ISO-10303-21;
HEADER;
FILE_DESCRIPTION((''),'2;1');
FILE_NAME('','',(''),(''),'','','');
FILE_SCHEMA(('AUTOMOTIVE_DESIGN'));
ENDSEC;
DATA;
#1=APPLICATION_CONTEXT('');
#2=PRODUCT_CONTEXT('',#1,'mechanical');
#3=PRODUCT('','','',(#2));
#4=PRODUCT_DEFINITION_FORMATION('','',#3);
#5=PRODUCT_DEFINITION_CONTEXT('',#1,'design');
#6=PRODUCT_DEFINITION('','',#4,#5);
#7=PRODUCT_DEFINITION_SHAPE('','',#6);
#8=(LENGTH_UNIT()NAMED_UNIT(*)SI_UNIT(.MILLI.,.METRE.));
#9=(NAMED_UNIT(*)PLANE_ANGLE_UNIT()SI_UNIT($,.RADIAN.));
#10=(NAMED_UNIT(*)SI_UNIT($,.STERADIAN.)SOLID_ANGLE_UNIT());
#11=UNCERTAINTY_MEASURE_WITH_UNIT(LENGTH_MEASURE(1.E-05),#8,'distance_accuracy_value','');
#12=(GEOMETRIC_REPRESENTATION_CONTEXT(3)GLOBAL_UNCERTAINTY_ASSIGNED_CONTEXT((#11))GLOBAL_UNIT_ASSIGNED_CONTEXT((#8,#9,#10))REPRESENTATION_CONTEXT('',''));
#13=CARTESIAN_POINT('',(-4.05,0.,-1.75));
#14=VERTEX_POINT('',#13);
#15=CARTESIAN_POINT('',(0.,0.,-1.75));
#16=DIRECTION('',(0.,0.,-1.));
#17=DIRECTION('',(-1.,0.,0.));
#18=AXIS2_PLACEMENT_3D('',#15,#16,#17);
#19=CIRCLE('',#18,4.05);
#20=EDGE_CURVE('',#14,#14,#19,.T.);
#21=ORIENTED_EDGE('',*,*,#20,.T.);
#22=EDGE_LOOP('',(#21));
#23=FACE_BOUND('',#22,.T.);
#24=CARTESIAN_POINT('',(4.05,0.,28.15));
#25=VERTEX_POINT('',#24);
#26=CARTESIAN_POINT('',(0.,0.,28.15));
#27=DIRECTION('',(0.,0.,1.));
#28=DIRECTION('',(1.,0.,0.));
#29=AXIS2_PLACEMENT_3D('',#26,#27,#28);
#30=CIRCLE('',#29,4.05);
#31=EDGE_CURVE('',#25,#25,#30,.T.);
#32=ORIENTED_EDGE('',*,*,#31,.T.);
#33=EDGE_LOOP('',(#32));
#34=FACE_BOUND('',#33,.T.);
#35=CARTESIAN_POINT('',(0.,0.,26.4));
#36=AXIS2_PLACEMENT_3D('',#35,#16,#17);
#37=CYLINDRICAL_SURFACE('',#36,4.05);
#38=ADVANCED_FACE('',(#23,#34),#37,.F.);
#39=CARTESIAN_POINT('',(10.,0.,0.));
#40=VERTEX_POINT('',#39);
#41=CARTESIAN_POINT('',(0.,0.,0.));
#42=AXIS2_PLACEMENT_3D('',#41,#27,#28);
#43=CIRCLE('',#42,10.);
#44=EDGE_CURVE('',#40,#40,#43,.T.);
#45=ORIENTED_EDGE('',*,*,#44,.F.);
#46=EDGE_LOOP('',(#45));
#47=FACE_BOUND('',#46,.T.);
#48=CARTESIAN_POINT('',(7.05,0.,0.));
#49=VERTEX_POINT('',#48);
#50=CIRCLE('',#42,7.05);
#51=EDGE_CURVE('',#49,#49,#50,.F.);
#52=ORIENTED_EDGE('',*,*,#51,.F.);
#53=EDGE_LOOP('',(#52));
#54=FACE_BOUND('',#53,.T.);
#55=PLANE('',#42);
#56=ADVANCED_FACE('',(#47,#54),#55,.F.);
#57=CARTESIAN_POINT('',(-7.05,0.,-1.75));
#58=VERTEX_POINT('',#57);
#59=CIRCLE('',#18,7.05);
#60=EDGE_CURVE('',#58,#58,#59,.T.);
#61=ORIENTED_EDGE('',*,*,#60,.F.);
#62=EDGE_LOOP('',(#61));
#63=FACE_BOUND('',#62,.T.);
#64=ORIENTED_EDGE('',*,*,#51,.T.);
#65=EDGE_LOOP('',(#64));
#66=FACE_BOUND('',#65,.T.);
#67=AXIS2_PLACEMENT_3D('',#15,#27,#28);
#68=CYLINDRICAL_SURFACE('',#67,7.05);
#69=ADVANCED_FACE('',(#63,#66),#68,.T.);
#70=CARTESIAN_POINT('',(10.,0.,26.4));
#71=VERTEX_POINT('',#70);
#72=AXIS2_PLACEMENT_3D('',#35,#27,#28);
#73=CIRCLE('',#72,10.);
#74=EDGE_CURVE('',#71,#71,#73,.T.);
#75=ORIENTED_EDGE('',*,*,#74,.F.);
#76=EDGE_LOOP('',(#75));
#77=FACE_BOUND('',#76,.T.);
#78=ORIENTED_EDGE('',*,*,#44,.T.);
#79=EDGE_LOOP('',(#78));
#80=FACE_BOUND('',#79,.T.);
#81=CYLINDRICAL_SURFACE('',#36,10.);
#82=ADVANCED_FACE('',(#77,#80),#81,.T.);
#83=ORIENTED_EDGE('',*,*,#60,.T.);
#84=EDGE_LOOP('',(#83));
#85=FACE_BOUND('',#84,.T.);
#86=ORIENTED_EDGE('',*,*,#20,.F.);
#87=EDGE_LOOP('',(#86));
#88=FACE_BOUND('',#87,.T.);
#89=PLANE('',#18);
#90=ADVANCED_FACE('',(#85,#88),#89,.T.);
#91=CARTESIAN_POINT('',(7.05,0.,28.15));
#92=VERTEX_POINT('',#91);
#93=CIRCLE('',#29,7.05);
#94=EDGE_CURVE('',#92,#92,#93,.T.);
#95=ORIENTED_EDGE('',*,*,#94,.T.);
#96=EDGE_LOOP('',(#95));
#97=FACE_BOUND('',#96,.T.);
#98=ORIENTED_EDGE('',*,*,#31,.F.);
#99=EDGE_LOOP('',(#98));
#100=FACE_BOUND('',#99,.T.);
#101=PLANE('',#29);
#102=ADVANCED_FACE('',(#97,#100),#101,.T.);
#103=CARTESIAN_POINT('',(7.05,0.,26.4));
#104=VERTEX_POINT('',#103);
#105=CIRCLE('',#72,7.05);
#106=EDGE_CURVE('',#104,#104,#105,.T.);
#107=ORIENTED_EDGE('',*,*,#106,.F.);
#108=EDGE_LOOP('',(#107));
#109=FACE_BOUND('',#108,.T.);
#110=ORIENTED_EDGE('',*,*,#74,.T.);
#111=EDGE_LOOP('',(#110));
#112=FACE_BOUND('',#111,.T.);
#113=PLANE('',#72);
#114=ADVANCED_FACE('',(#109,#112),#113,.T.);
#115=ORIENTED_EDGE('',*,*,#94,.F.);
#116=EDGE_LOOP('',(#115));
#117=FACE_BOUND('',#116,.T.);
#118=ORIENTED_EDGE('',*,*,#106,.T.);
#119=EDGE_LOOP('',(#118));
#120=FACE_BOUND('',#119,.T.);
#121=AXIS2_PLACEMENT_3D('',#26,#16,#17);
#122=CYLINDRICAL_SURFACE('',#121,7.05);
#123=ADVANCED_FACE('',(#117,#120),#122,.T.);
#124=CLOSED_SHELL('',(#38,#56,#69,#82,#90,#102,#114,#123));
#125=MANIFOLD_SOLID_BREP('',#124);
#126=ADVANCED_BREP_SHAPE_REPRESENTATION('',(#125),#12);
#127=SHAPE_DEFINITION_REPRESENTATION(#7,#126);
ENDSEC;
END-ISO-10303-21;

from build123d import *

# Parameters (mm, degrees)
CROQUIS1_R              = 10
CROQUIS1_R_2            = 4.05
SALIENTE_EXTRUIR1_DEPTH = 26.4
CROQUIS2_R              = 7.05
CROQUIS2_R_2            = 4.05
SALIENTE_EXTRUIR2_DEPTH = 1.75
CROQUIS3_R              = 7.05
CROQUIS3_R_2            = 4.05
SALIENTE_EXTRUIR3_DEPTH = 1.75


with BuildPart() as part:
    # Croquis1 → Saliente-Extruir1 (new body)
    with BuildSketch(Plane.XY):
        Circle(CROQUIS1_R)
        Circle(CROQUIS1_R_2, mode=Mode.SUBTRACT)
    extrude(amount=SALIENTE_EXTRUIR1_DEPTH)

    # Croquis2 → Saliente-Extruir2 (add)
    with BuildSketch(Plane.XY.offset(26.4)):
        Circle(CROQUIS2_R)
        Circle(CROQUIS2_R_2, mode=Mode.SUBTRACT)
    extrude(amount=SALIENTE_EXTRUIR2_DEPTH)

    # Croquis3 → Saliente-Extruir3 (add)
    with BuildSketch(Plane(origin=(0, 0, 0), x_dir=(-1, 0, 0), z_dir=(0, 0, -1))):
        Circle(CROQUIS3_R)
        Circle(CROQUIS3_R_2, mode=Mode.SUBTRACT)
    extrude(amount=SALIENTE_EXTRUIR3_DEPTH)


solid = part.part
